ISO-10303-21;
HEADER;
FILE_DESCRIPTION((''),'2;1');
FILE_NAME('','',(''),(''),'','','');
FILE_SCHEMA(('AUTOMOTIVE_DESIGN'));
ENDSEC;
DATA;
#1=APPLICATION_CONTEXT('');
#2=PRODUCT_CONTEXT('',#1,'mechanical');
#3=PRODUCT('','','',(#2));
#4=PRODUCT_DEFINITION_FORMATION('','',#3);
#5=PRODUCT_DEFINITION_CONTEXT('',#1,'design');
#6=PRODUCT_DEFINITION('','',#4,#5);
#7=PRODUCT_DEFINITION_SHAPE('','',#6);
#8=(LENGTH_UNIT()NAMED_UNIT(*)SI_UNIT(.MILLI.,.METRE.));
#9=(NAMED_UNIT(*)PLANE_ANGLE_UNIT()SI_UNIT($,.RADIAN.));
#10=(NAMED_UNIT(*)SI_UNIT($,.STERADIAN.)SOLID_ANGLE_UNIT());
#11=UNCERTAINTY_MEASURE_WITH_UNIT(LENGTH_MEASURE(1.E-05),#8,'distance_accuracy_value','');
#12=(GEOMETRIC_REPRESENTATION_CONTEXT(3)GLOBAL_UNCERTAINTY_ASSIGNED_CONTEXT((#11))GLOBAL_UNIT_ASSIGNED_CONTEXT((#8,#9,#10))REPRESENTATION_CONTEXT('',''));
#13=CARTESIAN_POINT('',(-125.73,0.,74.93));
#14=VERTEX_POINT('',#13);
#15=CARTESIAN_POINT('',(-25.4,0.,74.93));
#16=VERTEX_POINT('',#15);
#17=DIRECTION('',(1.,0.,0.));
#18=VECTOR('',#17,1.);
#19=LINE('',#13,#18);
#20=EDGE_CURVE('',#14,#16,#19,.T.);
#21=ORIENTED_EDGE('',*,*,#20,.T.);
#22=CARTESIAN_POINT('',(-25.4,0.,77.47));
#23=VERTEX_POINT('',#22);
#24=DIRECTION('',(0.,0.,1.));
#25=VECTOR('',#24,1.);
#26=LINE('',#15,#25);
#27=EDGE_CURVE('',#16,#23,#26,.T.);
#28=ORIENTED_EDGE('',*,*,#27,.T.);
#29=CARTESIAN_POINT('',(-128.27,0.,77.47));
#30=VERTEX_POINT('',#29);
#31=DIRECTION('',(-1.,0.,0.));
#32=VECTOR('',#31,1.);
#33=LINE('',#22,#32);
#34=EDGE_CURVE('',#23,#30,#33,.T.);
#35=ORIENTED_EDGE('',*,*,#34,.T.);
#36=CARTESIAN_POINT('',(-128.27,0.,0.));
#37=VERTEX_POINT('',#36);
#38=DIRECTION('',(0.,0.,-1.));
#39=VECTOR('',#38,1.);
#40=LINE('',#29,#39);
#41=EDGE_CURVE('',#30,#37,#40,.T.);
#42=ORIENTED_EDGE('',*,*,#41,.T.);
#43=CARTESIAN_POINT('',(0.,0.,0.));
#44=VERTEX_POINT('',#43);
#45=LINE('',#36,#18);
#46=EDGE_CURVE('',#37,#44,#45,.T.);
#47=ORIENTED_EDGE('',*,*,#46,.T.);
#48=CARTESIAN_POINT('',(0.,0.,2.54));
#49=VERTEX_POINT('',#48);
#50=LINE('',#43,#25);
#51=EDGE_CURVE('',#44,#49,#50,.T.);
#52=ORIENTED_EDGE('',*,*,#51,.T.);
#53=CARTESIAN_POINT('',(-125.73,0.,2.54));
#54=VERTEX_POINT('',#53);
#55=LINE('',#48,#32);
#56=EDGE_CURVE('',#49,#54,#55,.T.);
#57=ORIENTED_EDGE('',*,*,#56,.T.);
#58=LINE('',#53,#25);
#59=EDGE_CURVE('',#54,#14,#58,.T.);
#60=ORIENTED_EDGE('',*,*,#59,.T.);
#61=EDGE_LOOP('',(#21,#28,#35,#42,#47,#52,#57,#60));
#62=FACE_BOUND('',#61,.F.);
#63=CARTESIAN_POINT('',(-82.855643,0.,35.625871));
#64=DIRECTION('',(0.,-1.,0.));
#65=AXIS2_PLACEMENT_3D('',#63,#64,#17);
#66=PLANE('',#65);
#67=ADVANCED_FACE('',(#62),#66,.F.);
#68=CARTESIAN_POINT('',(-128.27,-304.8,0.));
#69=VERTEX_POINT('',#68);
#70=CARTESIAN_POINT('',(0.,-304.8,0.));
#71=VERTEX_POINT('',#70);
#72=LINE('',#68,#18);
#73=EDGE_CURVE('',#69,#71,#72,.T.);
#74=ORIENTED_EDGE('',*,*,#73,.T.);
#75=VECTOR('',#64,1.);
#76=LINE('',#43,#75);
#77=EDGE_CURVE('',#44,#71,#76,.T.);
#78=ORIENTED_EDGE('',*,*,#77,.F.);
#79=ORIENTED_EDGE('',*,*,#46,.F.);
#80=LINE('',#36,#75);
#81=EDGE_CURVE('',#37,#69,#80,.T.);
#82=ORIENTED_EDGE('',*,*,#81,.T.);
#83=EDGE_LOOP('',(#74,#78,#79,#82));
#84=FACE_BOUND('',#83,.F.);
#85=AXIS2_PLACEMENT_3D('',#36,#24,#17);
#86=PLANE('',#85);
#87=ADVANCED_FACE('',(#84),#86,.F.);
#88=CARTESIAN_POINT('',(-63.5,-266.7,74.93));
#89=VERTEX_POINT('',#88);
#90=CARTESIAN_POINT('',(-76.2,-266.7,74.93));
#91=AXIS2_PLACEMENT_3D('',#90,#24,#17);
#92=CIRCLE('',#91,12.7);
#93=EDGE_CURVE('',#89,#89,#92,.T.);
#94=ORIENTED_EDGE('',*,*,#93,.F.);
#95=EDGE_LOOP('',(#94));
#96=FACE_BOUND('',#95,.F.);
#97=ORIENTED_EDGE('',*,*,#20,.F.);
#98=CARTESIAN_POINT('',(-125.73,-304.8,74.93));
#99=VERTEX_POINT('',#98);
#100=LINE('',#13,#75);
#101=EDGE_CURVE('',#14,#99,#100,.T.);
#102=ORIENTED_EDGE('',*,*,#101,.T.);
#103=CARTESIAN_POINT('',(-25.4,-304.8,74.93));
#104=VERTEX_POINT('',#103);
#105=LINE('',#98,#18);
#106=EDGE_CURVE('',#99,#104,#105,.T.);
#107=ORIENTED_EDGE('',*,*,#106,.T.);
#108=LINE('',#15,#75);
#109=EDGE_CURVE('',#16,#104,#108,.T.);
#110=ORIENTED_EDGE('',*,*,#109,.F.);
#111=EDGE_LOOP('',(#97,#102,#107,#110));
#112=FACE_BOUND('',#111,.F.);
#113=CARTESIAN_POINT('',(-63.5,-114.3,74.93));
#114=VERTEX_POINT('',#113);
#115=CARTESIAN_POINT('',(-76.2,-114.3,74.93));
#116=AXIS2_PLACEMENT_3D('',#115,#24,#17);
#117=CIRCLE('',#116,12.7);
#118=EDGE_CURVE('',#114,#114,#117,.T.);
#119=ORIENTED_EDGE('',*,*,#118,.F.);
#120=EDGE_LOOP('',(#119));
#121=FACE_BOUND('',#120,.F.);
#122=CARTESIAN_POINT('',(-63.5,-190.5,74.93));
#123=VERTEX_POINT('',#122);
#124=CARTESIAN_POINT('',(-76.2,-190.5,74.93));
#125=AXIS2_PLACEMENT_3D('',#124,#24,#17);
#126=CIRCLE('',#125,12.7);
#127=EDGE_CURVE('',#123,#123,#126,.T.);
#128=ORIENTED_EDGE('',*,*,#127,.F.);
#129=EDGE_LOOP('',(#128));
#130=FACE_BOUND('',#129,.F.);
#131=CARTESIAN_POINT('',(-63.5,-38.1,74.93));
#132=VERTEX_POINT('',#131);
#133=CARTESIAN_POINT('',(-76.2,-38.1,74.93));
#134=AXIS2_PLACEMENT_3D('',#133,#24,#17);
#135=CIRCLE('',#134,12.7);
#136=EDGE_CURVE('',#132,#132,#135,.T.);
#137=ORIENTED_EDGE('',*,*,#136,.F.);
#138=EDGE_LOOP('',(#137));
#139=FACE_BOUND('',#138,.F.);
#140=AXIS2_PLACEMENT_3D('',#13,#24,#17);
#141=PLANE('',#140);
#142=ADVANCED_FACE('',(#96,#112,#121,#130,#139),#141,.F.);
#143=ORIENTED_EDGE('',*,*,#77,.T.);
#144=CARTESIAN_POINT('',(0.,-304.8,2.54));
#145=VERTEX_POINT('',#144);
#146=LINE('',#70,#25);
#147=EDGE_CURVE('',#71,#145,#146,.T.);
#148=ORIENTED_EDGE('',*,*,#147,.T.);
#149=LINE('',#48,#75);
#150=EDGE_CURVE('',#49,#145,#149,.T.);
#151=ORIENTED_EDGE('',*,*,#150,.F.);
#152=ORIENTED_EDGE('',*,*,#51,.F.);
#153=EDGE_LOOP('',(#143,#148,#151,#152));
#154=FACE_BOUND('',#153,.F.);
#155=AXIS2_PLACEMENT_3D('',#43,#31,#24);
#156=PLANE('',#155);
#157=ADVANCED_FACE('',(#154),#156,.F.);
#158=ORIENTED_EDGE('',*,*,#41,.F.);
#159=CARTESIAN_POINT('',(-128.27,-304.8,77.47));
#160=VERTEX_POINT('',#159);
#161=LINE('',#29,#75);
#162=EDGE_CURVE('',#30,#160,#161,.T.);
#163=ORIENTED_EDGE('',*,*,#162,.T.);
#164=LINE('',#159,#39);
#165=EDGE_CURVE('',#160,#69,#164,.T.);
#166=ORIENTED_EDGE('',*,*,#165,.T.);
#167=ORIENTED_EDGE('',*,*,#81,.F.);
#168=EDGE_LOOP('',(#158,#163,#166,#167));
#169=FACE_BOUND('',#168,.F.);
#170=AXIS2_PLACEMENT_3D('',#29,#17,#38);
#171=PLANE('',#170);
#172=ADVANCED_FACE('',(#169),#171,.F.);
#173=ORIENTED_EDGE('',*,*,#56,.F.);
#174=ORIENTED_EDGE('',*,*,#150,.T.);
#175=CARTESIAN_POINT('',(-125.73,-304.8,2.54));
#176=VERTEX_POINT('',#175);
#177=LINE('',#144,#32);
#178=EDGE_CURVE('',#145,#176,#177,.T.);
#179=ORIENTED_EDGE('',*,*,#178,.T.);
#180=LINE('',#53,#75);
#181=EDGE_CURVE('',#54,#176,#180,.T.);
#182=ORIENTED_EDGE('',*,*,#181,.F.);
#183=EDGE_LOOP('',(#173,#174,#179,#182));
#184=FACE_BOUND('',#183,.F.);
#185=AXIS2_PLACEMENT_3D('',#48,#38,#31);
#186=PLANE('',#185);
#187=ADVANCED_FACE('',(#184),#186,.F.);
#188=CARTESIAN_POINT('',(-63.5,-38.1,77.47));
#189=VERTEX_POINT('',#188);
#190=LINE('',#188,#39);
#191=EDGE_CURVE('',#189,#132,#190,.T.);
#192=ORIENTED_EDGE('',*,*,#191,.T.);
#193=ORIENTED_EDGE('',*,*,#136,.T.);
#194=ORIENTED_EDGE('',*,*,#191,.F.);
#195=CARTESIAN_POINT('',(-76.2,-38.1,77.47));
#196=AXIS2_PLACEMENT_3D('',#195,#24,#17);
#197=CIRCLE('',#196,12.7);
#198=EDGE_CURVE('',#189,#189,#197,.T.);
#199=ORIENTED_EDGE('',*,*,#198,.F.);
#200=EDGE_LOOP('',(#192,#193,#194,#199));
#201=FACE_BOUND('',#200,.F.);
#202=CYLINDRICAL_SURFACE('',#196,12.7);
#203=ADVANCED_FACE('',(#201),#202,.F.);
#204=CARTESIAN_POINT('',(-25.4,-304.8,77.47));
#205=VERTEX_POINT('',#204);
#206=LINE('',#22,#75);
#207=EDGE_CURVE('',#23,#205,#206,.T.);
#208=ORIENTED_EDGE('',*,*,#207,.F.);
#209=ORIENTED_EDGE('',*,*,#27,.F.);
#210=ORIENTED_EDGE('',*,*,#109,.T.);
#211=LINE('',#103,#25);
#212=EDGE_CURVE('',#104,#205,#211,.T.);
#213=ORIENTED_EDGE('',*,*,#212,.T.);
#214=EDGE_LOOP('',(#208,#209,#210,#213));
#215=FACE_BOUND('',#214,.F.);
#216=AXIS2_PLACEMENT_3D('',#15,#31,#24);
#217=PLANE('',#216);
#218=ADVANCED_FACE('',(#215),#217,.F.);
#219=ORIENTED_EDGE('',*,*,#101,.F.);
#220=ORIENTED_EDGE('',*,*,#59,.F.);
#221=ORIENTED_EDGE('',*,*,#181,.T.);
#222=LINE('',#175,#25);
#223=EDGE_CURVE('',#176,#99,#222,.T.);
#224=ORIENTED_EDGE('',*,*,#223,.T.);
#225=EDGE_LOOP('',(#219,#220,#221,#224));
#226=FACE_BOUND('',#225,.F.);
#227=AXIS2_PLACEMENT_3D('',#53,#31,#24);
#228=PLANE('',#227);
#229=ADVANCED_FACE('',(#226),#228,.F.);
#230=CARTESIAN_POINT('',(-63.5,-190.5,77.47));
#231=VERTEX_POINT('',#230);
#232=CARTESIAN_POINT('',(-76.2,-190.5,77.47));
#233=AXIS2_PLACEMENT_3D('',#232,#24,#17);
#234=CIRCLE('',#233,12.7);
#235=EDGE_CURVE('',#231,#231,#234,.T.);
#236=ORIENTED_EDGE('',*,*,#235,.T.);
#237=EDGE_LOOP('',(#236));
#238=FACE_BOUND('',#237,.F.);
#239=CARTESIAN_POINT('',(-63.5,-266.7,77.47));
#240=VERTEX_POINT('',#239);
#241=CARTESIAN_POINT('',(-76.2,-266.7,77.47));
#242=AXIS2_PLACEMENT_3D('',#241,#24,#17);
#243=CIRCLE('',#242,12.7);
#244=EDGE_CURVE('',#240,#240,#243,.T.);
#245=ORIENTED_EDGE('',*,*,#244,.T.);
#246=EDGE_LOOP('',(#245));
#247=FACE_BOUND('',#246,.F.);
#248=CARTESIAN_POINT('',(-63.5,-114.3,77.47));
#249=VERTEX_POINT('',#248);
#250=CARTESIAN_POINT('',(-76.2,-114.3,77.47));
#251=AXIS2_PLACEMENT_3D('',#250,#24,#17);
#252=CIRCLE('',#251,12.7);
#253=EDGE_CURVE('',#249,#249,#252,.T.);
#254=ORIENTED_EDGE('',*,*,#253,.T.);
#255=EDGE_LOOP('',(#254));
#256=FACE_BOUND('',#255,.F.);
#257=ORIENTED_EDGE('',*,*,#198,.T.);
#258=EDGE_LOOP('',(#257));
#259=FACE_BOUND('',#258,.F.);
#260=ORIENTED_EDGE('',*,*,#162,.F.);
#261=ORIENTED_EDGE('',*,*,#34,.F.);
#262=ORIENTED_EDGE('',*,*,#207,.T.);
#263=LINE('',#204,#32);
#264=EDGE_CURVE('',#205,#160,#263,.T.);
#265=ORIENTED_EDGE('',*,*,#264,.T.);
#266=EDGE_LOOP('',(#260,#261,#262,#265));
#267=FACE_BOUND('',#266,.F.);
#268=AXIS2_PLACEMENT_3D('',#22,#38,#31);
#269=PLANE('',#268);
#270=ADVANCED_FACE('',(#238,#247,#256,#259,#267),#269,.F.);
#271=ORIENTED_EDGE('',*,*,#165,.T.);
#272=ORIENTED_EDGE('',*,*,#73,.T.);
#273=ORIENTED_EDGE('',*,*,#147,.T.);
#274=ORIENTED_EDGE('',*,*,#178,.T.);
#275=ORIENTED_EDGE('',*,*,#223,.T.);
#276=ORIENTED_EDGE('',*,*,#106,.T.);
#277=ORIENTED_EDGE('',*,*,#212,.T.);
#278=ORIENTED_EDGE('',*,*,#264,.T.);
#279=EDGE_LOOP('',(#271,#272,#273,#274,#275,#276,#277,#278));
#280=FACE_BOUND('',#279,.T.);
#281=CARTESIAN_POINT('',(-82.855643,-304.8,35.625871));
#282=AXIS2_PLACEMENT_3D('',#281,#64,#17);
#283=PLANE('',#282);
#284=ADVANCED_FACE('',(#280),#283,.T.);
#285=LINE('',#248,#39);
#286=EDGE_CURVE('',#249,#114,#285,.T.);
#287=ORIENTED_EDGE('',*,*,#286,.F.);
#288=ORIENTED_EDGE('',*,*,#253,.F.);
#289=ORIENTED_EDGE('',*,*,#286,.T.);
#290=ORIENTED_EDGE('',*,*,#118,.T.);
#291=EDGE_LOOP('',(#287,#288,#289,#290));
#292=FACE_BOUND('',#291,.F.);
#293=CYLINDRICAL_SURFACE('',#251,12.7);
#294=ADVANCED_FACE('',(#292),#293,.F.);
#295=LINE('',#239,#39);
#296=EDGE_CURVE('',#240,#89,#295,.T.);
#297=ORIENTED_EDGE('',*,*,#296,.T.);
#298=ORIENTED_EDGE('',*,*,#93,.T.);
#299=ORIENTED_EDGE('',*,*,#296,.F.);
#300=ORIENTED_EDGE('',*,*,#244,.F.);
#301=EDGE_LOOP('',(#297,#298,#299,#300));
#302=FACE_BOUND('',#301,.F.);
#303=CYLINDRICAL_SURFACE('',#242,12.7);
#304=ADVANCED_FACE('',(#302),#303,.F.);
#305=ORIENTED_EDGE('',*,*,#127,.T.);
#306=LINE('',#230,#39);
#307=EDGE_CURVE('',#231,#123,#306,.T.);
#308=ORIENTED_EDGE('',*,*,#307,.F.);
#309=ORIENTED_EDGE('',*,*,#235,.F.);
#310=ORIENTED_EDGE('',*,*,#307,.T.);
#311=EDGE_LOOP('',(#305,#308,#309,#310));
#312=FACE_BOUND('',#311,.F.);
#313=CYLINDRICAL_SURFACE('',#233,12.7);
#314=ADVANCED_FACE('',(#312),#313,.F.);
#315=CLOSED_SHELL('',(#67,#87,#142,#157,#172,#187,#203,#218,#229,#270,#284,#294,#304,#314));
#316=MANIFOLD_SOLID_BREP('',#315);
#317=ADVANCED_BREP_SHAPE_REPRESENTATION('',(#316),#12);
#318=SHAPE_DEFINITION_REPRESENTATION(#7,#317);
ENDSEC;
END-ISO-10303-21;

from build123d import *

# Parameters (mm, degrees)
F1_DEPTH = 304.8
F2_R     = 12.7
F3_DEPTH = 25.4


with BuildPart() as f1:
    # F0 (on Front) → F1 (new body)
    with BuildSketch(Plane.XZ):
        Polygon((-128.27, 0), (0, 0), (0, 2.54), (-125.73, 2.54), (-125.73, 74.93), (-25.4, 74.93), (-25.4, 77.47), (-128.27, 77.47), align=None)
    extrude(amount=F1_DEPTH)

    # F2 (on face) → F3 (cut)
    with BuildSketch(Plane.XY.offset(77.47)):
        with Locations((-76.2, -114.3)):
            Circle(F2_R)
        with Locations((-76.2, -266.7)):
            Circle(F2_R)
        with Locations((-76.2, -38.1)):
            Circle(F2_R)
        with Locations((-76.2, -190.5)):
            Circle(F2_R)
    extrude(amount=-F3_DEPTH, mode=Mode.SUBTRACT)


solid = f1.part
